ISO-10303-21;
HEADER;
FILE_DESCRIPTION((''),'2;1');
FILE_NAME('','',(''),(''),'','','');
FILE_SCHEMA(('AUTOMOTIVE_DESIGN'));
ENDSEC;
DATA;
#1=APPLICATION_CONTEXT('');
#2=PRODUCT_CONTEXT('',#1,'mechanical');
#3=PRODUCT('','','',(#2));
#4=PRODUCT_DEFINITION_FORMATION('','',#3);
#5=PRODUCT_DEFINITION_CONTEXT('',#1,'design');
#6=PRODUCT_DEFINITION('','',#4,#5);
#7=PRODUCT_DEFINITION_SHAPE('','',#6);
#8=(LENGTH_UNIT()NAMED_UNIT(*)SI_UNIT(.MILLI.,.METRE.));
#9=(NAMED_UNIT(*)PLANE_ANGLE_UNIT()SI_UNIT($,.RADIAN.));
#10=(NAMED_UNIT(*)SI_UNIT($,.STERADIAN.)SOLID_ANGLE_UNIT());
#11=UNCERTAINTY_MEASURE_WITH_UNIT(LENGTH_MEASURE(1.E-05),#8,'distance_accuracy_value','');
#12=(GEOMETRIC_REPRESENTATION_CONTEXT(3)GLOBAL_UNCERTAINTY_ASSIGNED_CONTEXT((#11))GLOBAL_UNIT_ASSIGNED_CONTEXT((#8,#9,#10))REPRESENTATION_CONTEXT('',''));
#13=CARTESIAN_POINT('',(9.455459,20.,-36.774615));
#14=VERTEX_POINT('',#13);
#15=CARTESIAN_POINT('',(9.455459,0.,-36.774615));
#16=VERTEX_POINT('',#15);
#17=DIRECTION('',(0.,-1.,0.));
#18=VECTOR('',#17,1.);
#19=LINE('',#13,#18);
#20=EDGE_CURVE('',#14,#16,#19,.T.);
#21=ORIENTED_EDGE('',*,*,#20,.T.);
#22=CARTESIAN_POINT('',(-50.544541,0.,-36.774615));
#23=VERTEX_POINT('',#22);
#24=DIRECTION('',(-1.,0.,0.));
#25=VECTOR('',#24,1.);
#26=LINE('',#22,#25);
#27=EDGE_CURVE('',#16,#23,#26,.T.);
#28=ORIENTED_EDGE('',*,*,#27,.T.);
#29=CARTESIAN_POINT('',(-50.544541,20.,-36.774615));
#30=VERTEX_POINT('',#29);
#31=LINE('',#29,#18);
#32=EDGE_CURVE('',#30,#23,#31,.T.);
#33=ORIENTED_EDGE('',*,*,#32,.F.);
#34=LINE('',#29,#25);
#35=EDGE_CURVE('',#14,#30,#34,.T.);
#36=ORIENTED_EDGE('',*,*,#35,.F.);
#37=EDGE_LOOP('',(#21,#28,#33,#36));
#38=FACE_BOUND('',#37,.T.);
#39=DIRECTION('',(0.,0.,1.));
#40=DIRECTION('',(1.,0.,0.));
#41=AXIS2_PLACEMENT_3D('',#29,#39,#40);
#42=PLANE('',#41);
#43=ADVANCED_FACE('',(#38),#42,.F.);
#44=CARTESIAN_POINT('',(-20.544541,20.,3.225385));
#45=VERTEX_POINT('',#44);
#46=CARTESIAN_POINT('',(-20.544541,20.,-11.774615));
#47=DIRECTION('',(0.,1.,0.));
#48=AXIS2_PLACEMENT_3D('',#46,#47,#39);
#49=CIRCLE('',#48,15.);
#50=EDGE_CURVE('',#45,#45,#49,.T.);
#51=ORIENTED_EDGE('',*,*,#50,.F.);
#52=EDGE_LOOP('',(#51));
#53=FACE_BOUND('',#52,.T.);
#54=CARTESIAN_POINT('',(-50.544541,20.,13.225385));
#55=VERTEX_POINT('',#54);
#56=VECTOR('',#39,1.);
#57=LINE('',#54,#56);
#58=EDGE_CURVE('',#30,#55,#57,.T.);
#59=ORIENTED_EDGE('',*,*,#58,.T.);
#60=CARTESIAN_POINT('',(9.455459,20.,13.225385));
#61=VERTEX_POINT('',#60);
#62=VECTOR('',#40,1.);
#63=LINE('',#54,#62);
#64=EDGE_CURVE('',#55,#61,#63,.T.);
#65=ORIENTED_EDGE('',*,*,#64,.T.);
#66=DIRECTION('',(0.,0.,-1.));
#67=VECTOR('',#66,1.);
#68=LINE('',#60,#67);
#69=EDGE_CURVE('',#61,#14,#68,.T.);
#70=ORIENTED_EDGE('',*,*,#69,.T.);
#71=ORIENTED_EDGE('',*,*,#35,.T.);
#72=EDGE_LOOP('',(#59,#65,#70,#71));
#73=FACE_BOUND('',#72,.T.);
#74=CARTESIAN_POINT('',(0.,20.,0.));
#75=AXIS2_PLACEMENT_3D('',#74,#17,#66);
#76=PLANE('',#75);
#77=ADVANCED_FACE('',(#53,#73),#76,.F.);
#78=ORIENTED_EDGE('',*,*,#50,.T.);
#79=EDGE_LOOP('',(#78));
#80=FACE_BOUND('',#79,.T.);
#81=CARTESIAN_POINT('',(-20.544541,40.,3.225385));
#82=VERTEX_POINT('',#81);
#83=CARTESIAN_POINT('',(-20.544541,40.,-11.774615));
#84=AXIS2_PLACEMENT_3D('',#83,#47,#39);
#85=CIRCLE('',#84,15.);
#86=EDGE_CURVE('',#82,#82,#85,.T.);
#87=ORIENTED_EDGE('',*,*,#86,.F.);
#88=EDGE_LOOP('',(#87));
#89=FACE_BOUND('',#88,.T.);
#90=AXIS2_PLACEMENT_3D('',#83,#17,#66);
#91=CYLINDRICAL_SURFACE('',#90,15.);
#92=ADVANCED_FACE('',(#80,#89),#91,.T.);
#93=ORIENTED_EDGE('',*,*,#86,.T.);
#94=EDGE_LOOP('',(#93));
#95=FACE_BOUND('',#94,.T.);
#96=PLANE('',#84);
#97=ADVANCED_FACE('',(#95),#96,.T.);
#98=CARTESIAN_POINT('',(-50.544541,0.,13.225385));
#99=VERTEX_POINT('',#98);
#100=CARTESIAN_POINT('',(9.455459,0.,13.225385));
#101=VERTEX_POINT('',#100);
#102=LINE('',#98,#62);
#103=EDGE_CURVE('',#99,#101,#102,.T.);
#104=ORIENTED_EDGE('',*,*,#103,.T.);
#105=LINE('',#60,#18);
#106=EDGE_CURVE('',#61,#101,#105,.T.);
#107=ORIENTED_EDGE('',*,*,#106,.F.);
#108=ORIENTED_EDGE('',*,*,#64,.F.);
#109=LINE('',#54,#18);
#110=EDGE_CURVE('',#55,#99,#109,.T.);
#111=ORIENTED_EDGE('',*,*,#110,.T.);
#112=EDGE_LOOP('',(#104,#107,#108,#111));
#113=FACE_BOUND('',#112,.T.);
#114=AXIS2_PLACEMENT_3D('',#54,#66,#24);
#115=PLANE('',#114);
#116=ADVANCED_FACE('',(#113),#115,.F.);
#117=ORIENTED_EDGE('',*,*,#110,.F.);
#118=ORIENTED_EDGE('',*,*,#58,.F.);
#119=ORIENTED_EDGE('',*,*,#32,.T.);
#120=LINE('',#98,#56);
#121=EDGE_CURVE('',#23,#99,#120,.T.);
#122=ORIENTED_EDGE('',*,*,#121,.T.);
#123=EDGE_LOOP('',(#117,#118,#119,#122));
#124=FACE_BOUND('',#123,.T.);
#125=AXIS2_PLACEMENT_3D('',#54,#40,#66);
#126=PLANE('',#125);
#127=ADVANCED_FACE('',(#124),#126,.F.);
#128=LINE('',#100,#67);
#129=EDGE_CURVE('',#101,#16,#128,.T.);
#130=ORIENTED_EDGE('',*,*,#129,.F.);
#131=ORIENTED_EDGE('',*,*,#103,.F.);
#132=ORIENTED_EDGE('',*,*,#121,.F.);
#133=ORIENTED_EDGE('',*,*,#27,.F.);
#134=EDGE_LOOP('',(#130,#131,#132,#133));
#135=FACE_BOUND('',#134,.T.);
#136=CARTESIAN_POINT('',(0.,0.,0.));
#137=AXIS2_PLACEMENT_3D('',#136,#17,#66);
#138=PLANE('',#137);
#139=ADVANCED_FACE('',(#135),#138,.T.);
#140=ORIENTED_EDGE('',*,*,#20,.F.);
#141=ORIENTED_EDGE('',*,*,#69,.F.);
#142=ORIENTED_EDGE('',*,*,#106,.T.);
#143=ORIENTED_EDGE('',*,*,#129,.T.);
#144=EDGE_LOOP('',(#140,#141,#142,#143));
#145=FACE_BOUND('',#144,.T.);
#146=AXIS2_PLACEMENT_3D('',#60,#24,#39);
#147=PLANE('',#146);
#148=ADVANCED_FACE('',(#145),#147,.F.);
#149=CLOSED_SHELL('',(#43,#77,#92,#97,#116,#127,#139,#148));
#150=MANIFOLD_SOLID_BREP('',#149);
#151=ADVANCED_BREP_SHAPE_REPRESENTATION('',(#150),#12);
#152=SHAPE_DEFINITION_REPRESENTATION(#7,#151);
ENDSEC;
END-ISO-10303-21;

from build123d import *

# Parameters (mm, degrees)
SKETCH_1_W      = 60
SKETCH_1_H      = 50
EXTRUDE_1_DEPTH = 20
SKETCH_3_R      = 15
EXTRUDE_2_DEPTH = 20


with BuildPart() as part:
    # 스케치1 → 보스-돌출1 (new body)
    with BuildSketch(Plane(origin=(0, 0, 0), x_dir=(1, 0, 0), z_dir=(0, 1, 0))):
        with Locations((-20.544541192, 11.774614869)):
            Rectangle(SKETCH_1_W, SKETCH_1_H)
    extrude(amount=EXTRUDE_1_DEPTH)

    # 스케치3 → 보스-돌출2 (add)
    with BuildSketch(Plane(origin=(0, 20, 0), x_dir=(1, 0, 0), z_dir=(0, 1, 0))):
        with Locations(Location((-20.544541192, 11.774614869, 0), (0, 0, 270))):
            Circle(SKETCH_3_R)
    extrude(amount=EXTRUDE_2_DEPTH)


solid = part.part
